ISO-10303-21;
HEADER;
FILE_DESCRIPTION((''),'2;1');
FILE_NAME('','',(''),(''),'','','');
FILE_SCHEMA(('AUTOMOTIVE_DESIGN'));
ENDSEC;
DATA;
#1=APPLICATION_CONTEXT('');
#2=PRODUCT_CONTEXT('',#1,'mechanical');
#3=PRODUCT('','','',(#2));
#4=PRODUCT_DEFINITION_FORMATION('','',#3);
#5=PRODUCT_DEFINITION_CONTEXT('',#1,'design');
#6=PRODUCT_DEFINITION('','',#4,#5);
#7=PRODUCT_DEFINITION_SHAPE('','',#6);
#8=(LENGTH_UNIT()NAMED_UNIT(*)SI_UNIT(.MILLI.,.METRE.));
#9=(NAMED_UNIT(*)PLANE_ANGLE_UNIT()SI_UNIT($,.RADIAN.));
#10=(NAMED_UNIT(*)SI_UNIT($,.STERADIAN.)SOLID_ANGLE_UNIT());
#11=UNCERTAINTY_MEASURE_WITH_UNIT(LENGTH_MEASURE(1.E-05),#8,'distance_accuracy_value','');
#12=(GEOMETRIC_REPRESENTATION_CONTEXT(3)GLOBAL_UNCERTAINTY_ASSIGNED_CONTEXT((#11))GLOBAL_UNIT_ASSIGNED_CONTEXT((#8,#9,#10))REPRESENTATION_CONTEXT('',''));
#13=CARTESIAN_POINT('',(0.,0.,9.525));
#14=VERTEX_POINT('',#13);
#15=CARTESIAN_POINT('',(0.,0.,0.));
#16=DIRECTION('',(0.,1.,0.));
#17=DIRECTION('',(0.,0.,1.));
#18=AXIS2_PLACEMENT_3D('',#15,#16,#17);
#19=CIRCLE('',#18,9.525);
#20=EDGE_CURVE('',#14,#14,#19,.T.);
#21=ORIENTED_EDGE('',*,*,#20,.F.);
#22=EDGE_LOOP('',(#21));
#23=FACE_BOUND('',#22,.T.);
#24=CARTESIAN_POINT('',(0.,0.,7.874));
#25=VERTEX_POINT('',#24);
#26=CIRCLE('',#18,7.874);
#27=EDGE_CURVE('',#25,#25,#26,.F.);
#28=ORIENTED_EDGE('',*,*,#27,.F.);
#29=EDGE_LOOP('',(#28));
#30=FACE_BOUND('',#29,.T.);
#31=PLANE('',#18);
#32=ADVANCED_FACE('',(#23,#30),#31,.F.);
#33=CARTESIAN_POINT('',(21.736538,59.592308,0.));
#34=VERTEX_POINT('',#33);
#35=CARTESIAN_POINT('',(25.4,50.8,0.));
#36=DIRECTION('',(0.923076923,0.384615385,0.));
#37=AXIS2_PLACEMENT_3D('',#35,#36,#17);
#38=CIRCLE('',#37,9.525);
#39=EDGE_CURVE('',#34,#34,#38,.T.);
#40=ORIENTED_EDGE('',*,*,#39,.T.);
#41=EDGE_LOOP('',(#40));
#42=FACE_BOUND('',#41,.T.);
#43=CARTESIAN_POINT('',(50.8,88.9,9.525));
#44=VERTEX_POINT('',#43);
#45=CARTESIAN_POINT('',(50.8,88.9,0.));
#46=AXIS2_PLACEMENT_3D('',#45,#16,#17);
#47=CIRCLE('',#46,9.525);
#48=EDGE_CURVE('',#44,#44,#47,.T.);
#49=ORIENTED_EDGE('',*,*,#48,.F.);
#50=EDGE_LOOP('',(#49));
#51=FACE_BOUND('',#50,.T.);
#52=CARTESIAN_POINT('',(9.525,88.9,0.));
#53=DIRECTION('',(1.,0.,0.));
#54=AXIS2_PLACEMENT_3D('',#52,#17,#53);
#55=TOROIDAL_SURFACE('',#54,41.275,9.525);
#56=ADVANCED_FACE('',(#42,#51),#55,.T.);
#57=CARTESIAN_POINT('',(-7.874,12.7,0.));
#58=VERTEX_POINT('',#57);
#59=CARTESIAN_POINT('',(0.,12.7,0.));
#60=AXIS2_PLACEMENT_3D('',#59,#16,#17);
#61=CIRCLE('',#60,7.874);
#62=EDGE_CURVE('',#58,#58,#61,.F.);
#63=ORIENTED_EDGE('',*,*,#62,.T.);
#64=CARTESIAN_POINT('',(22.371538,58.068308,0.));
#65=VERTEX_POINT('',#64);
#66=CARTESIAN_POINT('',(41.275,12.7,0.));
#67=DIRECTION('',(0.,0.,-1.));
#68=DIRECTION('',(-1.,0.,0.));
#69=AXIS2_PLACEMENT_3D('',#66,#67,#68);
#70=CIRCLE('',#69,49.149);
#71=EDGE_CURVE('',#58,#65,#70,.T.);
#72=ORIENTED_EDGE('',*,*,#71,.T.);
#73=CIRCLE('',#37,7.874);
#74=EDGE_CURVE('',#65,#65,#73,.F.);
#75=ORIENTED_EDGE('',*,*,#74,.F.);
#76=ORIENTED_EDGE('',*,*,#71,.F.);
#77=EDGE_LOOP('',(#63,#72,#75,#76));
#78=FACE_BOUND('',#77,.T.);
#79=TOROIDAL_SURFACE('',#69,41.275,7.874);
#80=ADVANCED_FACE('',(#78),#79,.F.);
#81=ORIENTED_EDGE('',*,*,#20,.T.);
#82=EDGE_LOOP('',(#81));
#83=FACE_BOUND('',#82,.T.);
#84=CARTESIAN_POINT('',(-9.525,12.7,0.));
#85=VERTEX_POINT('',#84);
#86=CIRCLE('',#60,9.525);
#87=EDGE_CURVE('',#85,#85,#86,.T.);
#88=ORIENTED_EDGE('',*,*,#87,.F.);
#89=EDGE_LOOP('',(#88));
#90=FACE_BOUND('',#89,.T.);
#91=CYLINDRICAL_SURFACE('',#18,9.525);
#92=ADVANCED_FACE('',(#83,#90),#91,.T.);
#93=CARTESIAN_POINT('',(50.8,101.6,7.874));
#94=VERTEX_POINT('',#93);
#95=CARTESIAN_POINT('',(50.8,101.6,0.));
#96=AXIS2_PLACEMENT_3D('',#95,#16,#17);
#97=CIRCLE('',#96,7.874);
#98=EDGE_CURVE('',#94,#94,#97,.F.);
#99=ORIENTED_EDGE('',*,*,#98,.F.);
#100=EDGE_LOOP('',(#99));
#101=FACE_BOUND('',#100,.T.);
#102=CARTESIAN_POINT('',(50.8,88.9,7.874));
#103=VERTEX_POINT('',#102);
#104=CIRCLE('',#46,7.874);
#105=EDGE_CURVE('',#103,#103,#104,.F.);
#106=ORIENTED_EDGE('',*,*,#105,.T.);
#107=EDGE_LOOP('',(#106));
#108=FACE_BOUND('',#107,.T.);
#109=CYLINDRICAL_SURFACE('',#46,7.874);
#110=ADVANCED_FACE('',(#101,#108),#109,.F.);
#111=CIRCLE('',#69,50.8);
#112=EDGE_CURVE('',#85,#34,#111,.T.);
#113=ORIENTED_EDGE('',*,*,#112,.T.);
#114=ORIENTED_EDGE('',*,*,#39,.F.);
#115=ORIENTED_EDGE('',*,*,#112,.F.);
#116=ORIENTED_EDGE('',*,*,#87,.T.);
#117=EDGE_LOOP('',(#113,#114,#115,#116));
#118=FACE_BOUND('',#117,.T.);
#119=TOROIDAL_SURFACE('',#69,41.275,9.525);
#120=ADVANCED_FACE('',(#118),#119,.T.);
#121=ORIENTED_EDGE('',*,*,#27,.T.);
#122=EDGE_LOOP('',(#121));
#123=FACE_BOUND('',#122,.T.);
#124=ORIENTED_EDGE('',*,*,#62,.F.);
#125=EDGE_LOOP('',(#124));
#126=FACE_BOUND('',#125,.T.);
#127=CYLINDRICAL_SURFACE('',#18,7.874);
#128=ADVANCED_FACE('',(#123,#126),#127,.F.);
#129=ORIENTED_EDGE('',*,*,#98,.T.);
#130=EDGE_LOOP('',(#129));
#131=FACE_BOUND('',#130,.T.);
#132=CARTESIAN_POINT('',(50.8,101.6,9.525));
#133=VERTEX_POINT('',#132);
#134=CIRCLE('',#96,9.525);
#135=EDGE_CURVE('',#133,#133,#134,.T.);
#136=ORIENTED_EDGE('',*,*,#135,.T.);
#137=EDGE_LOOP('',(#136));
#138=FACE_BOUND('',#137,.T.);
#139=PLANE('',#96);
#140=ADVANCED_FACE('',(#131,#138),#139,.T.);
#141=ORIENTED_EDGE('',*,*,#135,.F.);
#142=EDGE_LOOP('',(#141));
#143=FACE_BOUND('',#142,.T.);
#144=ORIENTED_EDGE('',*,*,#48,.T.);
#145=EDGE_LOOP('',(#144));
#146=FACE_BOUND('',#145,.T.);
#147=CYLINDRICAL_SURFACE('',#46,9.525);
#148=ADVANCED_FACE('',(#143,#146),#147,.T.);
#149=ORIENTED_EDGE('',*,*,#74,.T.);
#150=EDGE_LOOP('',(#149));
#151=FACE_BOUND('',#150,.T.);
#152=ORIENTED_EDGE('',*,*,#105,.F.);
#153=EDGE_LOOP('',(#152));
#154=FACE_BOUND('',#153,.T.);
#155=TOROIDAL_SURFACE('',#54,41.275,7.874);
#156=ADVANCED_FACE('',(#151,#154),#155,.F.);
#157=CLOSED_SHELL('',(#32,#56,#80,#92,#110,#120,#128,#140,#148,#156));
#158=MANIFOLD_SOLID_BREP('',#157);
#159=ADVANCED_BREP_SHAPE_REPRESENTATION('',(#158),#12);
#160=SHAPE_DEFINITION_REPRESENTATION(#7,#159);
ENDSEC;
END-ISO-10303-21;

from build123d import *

# Parameters (mm, degrees)
SKETCH1_R   = 9.525
SKETCH1_R_2 = 7.874


with BuildPart() as part:
    # Sweep1: sweep along a path in Sketch2
    with BuildLine(Plane.XY) as sweep1_path:
        Line((0, 0), (0, 12.7))
        ThreePointArc((0, 12.7), (6.932124101, 35.595250599), (25.4, 50.8))
        ThreePointArc((25.4, 50.8), (43.867875899, 66.004749401), (50.8, 88.9))
        Line((50.8, 88.9), (50.8, 101.6))
    # Sketch1 → Sweep1 (sweep)
    with BuildSketch(Plane(origin=(0, 0, 0), x_dir=(1, 0, 0), z_dir=(0, 1, 0))):
        Circle(SKETCH1_R)
        Circle(SKETCH1_R_2, mode=Mode.SUBTRACT)
    sweep(path=sweep1_path.line)


solid = part.part
